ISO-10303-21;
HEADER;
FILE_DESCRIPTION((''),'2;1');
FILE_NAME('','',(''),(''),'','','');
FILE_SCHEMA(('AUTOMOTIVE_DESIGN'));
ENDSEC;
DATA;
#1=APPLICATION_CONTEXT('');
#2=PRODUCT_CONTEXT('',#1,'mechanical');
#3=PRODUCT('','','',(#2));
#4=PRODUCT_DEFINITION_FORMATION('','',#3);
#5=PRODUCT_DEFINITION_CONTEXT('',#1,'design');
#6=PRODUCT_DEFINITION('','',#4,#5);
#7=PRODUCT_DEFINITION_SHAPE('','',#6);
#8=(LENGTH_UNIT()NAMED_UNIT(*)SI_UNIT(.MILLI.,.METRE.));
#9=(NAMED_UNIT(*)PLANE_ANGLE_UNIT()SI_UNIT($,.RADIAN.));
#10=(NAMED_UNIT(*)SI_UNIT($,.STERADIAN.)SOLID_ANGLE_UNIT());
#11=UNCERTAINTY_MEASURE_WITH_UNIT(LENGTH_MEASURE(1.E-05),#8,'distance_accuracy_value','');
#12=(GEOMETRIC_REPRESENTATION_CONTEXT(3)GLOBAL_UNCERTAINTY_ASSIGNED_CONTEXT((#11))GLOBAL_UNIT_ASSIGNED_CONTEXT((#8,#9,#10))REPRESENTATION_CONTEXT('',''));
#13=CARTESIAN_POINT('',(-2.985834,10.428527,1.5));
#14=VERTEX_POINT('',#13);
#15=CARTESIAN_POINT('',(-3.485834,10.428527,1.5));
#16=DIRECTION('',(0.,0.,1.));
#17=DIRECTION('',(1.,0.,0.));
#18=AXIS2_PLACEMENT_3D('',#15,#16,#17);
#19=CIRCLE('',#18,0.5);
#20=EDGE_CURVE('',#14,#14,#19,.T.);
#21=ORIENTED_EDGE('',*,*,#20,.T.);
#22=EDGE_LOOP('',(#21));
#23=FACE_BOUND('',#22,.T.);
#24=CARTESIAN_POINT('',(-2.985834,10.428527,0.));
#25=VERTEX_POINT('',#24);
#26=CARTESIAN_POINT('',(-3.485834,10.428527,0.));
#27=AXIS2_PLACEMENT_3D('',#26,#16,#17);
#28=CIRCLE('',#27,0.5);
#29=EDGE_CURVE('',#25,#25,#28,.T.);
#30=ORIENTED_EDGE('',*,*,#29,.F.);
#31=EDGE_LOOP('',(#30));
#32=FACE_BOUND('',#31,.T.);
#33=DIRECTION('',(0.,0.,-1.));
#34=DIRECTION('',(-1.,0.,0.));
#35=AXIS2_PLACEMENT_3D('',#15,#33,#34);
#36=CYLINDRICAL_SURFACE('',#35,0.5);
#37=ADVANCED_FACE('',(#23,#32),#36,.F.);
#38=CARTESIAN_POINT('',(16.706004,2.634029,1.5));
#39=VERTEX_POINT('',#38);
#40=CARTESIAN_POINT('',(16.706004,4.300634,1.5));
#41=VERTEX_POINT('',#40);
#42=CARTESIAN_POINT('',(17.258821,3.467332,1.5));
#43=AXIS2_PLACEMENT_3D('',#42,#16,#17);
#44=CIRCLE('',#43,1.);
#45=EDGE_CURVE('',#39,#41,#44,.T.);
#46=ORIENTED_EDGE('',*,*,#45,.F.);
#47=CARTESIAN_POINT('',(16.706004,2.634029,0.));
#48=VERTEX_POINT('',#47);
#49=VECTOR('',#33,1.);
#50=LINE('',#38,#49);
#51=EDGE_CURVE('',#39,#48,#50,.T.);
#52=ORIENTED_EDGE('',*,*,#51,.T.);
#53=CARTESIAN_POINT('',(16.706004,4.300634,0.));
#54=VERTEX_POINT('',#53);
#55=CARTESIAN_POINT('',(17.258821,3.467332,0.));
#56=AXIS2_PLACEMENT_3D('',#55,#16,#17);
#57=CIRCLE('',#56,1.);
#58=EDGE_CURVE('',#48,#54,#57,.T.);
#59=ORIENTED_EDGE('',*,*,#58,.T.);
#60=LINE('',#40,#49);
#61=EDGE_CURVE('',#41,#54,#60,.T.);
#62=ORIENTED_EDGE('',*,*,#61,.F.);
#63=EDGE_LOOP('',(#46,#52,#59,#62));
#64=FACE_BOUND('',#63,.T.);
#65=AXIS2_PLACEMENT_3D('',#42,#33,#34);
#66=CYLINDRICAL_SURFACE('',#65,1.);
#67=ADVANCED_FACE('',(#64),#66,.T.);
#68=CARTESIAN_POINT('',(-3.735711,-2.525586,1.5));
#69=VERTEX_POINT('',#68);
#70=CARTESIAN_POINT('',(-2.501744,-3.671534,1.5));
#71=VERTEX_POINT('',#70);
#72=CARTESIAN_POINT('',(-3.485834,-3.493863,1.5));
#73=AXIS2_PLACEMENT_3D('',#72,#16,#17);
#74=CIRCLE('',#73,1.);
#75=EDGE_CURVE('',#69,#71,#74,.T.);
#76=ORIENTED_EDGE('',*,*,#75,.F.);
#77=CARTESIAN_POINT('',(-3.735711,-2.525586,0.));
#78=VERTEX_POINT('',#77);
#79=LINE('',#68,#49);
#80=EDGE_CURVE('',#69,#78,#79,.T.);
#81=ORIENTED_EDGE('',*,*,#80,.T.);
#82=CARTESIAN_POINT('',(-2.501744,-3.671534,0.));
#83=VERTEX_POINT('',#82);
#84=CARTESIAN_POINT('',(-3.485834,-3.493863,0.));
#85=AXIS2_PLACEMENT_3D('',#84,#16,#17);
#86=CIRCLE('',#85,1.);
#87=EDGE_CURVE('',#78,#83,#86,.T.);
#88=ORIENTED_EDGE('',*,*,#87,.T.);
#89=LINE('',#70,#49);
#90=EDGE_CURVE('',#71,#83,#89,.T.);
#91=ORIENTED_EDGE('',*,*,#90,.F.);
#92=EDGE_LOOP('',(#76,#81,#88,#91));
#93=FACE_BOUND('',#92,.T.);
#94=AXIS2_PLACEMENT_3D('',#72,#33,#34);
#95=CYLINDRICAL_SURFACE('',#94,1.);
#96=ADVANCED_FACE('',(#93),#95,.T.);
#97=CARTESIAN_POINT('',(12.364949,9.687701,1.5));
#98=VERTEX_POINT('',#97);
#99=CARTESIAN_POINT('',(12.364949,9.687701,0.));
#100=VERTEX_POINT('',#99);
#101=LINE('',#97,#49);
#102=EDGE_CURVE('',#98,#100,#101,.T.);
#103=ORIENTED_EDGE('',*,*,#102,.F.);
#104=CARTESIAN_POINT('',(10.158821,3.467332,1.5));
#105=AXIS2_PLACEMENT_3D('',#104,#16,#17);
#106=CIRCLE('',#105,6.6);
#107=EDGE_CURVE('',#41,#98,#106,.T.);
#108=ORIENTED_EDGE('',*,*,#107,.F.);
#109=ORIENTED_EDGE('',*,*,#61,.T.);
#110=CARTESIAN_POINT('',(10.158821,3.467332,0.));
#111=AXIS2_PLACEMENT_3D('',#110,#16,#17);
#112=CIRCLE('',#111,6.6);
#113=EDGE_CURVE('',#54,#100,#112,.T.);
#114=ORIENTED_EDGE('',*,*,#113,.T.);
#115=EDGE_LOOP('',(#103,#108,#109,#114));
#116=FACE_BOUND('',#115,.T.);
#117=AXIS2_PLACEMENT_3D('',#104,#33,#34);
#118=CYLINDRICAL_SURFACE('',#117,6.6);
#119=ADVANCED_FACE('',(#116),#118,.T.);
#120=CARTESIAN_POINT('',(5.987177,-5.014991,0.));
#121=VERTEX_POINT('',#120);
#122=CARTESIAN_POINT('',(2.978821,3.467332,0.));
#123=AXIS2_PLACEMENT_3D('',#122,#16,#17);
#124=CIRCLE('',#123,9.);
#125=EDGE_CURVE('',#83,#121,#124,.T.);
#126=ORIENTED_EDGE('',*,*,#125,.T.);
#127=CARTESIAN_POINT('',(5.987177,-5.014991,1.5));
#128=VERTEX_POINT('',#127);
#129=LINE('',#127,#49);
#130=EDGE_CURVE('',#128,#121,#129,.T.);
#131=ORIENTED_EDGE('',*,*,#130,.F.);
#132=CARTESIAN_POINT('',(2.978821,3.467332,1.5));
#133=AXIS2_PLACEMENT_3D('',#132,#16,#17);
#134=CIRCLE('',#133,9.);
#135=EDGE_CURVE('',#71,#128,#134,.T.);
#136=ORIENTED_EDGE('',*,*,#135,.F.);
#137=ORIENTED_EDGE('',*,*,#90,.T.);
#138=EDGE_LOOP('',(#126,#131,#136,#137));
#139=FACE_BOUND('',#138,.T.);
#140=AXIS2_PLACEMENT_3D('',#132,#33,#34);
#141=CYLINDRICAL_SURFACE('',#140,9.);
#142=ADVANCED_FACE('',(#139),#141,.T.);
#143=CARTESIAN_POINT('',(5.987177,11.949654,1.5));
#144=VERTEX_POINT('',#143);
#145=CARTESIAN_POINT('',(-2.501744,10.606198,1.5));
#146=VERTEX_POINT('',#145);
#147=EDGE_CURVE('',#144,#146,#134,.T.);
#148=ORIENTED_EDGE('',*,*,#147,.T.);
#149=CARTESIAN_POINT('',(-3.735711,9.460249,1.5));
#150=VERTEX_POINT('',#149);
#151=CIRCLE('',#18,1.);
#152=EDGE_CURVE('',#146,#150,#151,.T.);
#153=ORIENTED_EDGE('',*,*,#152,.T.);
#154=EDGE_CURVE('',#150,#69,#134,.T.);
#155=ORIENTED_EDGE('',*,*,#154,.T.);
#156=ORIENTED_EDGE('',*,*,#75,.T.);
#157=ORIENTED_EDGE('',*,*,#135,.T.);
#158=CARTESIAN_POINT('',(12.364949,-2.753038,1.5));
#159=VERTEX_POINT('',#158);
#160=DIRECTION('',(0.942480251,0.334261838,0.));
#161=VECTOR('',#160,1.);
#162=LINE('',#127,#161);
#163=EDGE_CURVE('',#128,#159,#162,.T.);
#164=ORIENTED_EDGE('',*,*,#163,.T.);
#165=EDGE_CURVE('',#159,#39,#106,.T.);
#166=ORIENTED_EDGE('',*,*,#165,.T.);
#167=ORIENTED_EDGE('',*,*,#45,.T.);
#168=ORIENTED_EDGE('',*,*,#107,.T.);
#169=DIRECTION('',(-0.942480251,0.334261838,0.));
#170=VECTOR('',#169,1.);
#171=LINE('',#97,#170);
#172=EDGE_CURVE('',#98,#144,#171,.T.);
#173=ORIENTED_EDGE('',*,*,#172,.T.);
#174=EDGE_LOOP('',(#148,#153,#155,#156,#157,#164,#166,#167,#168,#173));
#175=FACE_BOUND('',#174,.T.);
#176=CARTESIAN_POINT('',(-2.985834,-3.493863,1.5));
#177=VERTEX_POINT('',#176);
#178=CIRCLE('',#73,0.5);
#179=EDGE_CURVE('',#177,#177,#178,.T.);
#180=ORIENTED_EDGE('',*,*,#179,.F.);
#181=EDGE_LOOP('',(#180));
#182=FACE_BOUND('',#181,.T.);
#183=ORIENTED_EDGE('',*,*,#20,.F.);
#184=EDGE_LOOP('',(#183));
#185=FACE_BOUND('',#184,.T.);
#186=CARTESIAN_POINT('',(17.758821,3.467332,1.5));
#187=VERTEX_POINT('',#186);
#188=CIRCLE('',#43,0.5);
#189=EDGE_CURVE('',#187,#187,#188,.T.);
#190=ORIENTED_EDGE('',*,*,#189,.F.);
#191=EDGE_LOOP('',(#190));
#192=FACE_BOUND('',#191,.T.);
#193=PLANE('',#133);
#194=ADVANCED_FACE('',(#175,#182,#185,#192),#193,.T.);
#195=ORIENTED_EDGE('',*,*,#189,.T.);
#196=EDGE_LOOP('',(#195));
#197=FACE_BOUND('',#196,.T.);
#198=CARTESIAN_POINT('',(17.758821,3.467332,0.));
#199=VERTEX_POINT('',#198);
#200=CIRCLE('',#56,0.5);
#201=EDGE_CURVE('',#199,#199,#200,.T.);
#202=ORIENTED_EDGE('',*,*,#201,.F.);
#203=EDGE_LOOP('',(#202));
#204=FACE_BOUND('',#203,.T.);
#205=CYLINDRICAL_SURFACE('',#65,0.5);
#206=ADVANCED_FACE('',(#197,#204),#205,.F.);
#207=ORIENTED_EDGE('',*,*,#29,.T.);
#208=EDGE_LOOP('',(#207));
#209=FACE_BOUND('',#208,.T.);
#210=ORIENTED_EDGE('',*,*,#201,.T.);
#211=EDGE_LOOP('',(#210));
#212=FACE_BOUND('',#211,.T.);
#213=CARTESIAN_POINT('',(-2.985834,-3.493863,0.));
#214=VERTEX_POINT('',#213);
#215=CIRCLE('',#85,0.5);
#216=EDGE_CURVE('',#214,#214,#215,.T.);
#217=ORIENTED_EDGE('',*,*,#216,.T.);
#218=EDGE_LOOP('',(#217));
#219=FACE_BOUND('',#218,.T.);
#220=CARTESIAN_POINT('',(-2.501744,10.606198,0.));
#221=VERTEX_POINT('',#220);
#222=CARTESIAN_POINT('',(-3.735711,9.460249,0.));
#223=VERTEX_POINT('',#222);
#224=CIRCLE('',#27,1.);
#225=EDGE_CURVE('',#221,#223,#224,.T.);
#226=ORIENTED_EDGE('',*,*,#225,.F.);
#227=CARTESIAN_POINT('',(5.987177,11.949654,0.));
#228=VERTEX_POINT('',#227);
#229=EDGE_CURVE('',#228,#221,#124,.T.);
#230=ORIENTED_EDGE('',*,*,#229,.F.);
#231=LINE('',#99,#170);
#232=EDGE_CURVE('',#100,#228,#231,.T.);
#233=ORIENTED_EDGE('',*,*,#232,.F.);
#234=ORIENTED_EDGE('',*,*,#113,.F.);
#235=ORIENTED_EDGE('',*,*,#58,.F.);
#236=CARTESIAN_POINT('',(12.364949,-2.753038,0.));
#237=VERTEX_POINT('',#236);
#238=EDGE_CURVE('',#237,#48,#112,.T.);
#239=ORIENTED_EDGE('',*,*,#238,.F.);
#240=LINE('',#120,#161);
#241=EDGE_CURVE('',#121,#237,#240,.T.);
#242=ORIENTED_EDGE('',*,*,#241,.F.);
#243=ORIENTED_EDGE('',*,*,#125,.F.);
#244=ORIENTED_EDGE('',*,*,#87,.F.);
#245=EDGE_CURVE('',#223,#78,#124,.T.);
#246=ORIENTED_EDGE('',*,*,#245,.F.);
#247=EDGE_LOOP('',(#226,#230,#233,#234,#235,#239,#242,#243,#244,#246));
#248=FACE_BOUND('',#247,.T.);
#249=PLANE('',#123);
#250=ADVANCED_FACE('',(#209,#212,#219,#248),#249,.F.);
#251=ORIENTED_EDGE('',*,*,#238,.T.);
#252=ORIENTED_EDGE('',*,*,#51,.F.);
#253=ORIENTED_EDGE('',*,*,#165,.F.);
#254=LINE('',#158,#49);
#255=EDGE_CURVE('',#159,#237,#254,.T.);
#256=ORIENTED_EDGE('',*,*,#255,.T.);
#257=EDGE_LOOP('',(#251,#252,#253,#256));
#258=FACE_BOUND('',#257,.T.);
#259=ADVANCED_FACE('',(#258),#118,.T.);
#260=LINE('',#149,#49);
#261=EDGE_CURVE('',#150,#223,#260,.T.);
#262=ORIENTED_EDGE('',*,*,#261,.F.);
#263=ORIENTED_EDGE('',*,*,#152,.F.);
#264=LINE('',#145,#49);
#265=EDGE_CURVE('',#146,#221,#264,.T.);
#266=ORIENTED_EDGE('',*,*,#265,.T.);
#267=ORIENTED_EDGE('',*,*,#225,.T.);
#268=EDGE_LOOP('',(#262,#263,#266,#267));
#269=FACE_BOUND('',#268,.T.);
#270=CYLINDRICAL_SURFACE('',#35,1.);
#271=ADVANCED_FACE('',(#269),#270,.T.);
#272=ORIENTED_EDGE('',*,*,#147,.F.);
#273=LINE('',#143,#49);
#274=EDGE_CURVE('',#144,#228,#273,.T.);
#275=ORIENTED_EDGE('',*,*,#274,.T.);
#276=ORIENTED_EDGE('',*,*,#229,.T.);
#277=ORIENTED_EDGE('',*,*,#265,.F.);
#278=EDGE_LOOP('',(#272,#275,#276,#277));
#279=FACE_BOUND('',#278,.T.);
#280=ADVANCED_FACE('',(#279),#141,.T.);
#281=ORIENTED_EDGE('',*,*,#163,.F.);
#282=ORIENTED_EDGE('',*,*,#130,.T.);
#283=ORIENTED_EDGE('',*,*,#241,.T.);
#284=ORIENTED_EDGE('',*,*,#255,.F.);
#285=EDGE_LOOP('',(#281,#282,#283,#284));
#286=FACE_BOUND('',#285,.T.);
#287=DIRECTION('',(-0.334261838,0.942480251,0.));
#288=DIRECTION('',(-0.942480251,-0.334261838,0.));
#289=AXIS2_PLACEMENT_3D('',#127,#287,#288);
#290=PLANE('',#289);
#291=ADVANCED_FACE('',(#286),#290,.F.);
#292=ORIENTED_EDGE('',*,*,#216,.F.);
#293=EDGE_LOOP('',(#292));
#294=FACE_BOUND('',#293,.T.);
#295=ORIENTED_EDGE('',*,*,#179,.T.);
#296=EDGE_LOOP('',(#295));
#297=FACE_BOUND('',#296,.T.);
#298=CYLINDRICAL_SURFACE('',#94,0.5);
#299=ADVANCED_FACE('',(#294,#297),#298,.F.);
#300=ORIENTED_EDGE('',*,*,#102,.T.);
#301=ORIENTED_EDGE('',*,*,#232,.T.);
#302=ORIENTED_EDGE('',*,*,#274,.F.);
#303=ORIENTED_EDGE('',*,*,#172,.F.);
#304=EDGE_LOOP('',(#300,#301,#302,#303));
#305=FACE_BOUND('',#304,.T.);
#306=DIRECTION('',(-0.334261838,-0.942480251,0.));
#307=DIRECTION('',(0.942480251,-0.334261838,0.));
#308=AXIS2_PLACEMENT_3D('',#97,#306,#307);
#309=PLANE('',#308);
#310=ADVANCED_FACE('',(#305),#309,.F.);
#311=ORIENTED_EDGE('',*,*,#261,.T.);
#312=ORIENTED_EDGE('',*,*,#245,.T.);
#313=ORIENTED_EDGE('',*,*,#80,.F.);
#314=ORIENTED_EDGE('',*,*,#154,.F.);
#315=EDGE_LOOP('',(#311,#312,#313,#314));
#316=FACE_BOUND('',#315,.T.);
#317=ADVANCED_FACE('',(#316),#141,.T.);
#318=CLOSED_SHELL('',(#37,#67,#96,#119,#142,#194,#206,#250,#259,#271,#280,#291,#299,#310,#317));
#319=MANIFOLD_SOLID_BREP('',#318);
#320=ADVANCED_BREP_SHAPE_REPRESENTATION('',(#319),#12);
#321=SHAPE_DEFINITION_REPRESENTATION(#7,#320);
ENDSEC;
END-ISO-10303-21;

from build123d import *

# Parameters (mm, degrees)
SKETCH1_R           = 0.5
BOSS_EXTRUDE1_DEPTH = 1.5


with BuildPart() as part:
    # Sketch1 → Boss-Extrude1 (new body)
    with BuildSketch(Plane.XY):
        with BuildLine():
            Line((12.364948684, 9.687701301), (5.987177096, 11.949653903))
            ThreePointArc((5.987177096, 11.949653903), (1.571990001, 12.356697641), (-2.501744354, 10.606197685))
            ThreePointArc((-2.501744354, 10.606197685), (-4.166324297, 11.161284148), (-3.73571139, 9.4602492))
            ThreePointArc((-3.73571139, 9.4602492), (-6.02117945, 3.467331645), (-3.73571139, -2.525585911))
            ThreePointArc((-3.73571139, -2.525585911), (-4.166324297, -4.226620858), (-2.501744354, -3.671534395))
            ThreePointArc((-2.501744354, -3.671534395), (1.571990001, -5.422034351), (5.987177096, -5.014990613))
            Line((5.987177096, -5.014990613), (12.364948684, -2.753038011))
            ThreePointArc((12.364948684, -2.753038011), (15.297909656, -0.673895607), (16.706003649, 2.634028895))
            ThreePointArc((16.706003649, 2.634028895), (18.25882055, 3.467331645), (16.706003649, 4.300634395))
            ThreePointArc((16.706003649, 4.300634395), (15.297909656, 7.608558897), (12.364948684, 9.687701301))
        make_face()
        with Locations((-3.485834311, 10.428526767)):
            Circle(SKETCH1_R, mode=Mode.SUBTRACT)
        with Locations((-3.485834311, -3.493863477)):
            Circle(SKETCH1_R, mode=Mode.SUBTRACT)
        with Locations((17.25882055, 3.467331645)):
            Circle(SKETCH1_R, mode=Mode.SUBTRACT)
    extrude(amount=BOSS_EXTRUDE1_DEPTH)


solid = part.part
